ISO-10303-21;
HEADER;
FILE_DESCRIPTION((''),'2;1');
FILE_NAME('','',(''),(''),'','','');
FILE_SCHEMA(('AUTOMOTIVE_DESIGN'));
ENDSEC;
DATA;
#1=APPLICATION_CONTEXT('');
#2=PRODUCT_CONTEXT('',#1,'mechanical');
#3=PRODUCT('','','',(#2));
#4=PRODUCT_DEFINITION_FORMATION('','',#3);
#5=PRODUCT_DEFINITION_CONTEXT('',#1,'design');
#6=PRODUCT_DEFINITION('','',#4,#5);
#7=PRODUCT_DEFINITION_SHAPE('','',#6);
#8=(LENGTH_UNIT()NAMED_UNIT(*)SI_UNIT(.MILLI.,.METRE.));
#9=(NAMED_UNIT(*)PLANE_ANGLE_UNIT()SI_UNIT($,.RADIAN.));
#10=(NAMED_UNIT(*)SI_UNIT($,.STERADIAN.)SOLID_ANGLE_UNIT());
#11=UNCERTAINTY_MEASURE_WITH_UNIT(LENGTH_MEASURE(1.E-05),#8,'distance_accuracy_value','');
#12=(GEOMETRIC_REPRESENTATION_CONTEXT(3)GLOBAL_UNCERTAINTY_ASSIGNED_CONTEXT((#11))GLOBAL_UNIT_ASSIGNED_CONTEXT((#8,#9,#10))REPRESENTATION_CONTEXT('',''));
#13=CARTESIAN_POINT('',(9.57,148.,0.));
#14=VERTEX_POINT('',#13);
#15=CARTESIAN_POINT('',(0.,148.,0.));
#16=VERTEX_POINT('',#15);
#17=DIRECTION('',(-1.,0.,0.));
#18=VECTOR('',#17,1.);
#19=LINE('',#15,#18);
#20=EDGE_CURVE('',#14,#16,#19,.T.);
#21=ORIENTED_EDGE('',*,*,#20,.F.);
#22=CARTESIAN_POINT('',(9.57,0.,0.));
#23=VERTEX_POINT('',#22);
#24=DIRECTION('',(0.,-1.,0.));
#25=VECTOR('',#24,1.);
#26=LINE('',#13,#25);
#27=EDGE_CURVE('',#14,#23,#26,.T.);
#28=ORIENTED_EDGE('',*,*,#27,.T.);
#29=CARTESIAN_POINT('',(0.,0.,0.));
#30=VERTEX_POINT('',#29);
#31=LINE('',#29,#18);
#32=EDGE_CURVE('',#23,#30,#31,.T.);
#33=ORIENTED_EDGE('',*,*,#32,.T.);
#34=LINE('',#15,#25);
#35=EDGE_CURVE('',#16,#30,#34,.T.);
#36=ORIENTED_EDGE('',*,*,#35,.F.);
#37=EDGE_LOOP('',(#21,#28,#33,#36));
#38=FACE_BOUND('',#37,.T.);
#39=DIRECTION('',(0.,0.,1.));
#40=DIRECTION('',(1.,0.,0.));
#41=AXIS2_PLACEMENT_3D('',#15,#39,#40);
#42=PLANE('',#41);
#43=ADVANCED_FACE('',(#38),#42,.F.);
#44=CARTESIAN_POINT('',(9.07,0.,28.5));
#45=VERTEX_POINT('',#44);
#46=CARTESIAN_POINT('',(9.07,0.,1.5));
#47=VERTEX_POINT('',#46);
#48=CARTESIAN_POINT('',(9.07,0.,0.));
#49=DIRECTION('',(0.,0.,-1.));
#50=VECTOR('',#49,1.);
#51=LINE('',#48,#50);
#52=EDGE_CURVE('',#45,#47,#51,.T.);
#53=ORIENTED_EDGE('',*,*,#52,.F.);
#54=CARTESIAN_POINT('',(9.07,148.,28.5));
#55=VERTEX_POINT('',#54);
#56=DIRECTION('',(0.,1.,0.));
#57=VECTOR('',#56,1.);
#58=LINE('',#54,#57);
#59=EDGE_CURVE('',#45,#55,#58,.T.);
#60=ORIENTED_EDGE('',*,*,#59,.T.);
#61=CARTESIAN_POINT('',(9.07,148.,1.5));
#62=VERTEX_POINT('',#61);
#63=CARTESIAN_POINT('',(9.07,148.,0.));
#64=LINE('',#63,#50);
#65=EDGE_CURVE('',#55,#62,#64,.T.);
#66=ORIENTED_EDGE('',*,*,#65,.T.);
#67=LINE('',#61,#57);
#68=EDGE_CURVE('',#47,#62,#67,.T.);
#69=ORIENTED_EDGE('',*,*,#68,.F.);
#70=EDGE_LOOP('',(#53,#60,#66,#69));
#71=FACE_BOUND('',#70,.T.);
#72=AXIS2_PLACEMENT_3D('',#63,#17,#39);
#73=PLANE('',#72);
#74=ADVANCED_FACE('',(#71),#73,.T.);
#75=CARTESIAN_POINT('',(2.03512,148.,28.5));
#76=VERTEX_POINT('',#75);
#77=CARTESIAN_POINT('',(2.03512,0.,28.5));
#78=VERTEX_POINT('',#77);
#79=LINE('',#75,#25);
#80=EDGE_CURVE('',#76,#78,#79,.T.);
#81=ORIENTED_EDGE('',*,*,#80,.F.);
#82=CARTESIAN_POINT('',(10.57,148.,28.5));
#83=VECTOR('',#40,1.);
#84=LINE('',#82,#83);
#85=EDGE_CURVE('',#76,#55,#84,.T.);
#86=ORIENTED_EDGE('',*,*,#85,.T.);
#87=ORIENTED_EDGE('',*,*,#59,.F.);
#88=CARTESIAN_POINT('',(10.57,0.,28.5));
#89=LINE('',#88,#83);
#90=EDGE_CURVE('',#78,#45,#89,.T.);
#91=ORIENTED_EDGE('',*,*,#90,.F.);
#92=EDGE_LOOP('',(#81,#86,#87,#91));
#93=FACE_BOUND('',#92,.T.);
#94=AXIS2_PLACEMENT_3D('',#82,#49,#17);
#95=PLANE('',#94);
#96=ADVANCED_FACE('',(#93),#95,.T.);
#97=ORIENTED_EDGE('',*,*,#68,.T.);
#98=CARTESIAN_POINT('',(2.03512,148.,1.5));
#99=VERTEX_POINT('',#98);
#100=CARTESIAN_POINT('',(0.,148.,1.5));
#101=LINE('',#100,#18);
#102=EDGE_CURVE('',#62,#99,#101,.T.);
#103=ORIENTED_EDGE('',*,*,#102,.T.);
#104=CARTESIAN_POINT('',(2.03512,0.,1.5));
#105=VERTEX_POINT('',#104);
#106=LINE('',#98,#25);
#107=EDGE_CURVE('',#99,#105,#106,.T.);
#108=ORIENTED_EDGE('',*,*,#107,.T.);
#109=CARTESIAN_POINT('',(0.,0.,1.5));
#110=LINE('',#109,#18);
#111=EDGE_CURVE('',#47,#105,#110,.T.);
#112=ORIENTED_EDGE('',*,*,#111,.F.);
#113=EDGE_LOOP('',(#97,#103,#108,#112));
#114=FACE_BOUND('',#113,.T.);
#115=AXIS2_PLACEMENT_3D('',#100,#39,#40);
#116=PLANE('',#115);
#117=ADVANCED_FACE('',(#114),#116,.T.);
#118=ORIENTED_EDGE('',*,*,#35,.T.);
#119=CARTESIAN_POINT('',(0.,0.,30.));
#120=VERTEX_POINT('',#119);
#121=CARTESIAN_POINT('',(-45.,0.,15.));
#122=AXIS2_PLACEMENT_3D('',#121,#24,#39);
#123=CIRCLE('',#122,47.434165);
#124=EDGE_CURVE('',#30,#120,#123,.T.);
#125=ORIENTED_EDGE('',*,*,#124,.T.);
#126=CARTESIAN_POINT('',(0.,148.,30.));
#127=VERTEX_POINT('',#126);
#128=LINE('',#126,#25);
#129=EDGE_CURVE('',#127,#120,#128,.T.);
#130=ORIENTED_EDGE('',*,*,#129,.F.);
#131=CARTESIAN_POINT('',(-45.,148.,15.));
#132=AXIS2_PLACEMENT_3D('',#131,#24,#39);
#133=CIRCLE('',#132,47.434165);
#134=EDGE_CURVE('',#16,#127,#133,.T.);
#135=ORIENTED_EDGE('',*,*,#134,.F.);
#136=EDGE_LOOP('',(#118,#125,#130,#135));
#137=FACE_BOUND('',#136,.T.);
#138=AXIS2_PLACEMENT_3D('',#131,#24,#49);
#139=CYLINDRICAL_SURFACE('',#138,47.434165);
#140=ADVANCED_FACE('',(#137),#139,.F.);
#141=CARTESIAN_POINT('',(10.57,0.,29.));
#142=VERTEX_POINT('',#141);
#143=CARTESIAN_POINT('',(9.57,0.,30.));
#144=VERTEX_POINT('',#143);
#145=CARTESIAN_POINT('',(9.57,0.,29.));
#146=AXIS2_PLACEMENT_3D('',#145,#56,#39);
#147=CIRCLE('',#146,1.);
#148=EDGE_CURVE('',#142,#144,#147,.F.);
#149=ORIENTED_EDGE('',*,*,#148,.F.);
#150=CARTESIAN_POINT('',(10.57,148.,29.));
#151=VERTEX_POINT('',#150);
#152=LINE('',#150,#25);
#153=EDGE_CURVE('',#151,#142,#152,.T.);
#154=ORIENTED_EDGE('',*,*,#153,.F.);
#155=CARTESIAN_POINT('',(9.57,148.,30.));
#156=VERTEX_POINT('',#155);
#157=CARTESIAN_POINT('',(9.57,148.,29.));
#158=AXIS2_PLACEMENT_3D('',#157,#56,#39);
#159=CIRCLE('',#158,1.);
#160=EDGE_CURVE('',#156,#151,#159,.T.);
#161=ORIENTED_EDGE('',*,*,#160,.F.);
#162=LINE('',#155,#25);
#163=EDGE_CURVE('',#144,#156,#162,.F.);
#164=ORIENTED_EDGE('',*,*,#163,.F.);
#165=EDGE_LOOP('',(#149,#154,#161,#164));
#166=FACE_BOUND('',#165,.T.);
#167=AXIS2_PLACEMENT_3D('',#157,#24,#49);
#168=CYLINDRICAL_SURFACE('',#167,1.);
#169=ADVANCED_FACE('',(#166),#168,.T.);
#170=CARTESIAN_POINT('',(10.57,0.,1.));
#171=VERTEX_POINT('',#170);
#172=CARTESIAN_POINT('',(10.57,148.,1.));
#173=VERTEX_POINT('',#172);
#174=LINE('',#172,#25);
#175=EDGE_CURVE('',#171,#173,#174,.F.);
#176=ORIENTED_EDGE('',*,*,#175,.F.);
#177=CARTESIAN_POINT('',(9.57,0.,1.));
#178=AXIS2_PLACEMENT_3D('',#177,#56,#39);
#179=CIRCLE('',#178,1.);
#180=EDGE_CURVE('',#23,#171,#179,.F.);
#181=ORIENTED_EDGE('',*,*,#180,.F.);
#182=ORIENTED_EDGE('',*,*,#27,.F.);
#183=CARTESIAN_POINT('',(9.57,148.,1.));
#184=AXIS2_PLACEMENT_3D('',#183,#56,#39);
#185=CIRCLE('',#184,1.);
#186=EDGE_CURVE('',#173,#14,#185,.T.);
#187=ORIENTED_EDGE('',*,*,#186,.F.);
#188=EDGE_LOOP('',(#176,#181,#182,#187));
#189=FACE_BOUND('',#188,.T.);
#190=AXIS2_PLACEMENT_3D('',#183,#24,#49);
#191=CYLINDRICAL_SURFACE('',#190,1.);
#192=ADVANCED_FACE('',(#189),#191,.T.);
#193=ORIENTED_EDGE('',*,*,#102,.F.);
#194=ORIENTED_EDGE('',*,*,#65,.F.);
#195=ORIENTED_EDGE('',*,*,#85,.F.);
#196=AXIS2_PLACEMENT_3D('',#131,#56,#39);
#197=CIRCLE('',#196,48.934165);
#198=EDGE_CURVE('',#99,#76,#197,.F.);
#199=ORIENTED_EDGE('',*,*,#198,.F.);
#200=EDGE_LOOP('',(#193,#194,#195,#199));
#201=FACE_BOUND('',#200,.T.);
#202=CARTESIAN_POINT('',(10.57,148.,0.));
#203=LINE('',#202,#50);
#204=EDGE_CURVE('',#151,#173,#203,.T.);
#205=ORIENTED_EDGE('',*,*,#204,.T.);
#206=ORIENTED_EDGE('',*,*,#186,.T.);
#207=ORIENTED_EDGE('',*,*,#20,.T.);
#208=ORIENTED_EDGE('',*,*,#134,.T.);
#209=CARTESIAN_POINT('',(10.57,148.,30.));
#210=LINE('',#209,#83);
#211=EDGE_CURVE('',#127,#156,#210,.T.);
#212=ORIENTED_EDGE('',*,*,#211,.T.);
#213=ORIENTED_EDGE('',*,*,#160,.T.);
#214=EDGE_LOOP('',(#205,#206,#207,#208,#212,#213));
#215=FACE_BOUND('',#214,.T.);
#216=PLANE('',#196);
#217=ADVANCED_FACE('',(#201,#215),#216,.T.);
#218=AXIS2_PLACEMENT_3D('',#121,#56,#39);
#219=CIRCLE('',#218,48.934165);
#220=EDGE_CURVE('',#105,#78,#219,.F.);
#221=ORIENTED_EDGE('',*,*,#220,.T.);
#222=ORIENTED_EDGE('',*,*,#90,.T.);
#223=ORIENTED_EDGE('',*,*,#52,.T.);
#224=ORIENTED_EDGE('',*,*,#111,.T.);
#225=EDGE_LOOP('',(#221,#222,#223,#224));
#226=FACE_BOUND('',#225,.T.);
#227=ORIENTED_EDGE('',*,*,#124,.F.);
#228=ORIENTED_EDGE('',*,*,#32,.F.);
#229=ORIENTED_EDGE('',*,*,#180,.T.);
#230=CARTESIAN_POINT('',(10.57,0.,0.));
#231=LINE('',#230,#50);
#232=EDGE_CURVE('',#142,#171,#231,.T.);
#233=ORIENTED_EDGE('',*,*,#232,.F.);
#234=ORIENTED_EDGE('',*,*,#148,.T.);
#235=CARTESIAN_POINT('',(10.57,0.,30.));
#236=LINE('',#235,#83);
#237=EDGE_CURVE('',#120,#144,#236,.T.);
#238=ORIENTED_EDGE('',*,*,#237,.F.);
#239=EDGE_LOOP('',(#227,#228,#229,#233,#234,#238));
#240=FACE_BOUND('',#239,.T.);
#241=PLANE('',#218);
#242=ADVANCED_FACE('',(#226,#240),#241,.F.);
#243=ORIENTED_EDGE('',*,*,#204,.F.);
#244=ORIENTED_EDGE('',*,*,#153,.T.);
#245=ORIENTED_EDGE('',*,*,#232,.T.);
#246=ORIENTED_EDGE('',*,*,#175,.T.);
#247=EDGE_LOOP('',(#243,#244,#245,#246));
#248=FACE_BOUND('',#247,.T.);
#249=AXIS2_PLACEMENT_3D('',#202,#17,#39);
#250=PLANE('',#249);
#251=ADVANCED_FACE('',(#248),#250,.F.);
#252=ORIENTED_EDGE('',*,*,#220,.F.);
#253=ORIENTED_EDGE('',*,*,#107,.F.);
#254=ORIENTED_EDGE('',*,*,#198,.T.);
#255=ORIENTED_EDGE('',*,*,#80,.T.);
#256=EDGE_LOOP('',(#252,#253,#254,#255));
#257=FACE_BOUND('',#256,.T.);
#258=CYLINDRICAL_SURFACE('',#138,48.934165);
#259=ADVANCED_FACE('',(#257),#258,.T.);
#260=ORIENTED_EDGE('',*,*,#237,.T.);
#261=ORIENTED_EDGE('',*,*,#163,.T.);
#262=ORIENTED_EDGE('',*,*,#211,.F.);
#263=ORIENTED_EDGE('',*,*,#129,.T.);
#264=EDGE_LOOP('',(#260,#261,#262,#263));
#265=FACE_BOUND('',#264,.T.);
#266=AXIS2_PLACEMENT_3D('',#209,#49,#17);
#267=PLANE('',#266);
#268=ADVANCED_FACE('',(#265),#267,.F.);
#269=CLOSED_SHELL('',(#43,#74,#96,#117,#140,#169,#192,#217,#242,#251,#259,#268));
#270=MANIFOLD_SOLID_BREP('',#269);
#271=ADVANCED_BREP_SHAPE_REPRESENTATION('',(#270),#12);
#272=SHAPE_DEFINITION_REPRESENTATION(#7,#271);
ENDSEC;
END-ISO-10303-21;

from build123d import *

# Parameters (mm, degrees)
BOSS_EXTRUDE1_DEPTH = 148
FILLET1_R           = 1
SHELL1_T            = -1.5


with BuildPart() as part:
    # Sketch1 → Boss-Extrude1 (new body)
    with BuildSketch(Plane(origin=(0, 0, 0), x_dir=(1, 0, 0), z_dir=(0, 1, 0))):
        with BuildLine():
            Line((0, 0), (10.57, 0))
            Line((10.57, 0), (10.57, -30))
            Line((10.57, -30), (0, -30))
            ThreePointArc((0, -30), (2.434164903, -15), (0, 0))
        make_face()
    extrude(amount=BOSS_EXTRUDE1_DEPTH)

    # Fillet1
    fillet1_edges = [part.edges().sort_by_distance(p)[0] for p in [
        (10.57, 74, 0),
        (10.57, 74, 30),
    ]]
    fillet(fillet1_edges, radius=FILLET1_R)

    # Shell1
    shell1_openings = [part.faces().sort_by_distance(p)[0] for p in [
        (6.064557182, 148, 15),
        (6.064557182, 0, 15),
    ]]
    offset(amount=SHELL1_T, openings=shell1_openings, kind=Kind.INTERSECTION)


solid = part.part
